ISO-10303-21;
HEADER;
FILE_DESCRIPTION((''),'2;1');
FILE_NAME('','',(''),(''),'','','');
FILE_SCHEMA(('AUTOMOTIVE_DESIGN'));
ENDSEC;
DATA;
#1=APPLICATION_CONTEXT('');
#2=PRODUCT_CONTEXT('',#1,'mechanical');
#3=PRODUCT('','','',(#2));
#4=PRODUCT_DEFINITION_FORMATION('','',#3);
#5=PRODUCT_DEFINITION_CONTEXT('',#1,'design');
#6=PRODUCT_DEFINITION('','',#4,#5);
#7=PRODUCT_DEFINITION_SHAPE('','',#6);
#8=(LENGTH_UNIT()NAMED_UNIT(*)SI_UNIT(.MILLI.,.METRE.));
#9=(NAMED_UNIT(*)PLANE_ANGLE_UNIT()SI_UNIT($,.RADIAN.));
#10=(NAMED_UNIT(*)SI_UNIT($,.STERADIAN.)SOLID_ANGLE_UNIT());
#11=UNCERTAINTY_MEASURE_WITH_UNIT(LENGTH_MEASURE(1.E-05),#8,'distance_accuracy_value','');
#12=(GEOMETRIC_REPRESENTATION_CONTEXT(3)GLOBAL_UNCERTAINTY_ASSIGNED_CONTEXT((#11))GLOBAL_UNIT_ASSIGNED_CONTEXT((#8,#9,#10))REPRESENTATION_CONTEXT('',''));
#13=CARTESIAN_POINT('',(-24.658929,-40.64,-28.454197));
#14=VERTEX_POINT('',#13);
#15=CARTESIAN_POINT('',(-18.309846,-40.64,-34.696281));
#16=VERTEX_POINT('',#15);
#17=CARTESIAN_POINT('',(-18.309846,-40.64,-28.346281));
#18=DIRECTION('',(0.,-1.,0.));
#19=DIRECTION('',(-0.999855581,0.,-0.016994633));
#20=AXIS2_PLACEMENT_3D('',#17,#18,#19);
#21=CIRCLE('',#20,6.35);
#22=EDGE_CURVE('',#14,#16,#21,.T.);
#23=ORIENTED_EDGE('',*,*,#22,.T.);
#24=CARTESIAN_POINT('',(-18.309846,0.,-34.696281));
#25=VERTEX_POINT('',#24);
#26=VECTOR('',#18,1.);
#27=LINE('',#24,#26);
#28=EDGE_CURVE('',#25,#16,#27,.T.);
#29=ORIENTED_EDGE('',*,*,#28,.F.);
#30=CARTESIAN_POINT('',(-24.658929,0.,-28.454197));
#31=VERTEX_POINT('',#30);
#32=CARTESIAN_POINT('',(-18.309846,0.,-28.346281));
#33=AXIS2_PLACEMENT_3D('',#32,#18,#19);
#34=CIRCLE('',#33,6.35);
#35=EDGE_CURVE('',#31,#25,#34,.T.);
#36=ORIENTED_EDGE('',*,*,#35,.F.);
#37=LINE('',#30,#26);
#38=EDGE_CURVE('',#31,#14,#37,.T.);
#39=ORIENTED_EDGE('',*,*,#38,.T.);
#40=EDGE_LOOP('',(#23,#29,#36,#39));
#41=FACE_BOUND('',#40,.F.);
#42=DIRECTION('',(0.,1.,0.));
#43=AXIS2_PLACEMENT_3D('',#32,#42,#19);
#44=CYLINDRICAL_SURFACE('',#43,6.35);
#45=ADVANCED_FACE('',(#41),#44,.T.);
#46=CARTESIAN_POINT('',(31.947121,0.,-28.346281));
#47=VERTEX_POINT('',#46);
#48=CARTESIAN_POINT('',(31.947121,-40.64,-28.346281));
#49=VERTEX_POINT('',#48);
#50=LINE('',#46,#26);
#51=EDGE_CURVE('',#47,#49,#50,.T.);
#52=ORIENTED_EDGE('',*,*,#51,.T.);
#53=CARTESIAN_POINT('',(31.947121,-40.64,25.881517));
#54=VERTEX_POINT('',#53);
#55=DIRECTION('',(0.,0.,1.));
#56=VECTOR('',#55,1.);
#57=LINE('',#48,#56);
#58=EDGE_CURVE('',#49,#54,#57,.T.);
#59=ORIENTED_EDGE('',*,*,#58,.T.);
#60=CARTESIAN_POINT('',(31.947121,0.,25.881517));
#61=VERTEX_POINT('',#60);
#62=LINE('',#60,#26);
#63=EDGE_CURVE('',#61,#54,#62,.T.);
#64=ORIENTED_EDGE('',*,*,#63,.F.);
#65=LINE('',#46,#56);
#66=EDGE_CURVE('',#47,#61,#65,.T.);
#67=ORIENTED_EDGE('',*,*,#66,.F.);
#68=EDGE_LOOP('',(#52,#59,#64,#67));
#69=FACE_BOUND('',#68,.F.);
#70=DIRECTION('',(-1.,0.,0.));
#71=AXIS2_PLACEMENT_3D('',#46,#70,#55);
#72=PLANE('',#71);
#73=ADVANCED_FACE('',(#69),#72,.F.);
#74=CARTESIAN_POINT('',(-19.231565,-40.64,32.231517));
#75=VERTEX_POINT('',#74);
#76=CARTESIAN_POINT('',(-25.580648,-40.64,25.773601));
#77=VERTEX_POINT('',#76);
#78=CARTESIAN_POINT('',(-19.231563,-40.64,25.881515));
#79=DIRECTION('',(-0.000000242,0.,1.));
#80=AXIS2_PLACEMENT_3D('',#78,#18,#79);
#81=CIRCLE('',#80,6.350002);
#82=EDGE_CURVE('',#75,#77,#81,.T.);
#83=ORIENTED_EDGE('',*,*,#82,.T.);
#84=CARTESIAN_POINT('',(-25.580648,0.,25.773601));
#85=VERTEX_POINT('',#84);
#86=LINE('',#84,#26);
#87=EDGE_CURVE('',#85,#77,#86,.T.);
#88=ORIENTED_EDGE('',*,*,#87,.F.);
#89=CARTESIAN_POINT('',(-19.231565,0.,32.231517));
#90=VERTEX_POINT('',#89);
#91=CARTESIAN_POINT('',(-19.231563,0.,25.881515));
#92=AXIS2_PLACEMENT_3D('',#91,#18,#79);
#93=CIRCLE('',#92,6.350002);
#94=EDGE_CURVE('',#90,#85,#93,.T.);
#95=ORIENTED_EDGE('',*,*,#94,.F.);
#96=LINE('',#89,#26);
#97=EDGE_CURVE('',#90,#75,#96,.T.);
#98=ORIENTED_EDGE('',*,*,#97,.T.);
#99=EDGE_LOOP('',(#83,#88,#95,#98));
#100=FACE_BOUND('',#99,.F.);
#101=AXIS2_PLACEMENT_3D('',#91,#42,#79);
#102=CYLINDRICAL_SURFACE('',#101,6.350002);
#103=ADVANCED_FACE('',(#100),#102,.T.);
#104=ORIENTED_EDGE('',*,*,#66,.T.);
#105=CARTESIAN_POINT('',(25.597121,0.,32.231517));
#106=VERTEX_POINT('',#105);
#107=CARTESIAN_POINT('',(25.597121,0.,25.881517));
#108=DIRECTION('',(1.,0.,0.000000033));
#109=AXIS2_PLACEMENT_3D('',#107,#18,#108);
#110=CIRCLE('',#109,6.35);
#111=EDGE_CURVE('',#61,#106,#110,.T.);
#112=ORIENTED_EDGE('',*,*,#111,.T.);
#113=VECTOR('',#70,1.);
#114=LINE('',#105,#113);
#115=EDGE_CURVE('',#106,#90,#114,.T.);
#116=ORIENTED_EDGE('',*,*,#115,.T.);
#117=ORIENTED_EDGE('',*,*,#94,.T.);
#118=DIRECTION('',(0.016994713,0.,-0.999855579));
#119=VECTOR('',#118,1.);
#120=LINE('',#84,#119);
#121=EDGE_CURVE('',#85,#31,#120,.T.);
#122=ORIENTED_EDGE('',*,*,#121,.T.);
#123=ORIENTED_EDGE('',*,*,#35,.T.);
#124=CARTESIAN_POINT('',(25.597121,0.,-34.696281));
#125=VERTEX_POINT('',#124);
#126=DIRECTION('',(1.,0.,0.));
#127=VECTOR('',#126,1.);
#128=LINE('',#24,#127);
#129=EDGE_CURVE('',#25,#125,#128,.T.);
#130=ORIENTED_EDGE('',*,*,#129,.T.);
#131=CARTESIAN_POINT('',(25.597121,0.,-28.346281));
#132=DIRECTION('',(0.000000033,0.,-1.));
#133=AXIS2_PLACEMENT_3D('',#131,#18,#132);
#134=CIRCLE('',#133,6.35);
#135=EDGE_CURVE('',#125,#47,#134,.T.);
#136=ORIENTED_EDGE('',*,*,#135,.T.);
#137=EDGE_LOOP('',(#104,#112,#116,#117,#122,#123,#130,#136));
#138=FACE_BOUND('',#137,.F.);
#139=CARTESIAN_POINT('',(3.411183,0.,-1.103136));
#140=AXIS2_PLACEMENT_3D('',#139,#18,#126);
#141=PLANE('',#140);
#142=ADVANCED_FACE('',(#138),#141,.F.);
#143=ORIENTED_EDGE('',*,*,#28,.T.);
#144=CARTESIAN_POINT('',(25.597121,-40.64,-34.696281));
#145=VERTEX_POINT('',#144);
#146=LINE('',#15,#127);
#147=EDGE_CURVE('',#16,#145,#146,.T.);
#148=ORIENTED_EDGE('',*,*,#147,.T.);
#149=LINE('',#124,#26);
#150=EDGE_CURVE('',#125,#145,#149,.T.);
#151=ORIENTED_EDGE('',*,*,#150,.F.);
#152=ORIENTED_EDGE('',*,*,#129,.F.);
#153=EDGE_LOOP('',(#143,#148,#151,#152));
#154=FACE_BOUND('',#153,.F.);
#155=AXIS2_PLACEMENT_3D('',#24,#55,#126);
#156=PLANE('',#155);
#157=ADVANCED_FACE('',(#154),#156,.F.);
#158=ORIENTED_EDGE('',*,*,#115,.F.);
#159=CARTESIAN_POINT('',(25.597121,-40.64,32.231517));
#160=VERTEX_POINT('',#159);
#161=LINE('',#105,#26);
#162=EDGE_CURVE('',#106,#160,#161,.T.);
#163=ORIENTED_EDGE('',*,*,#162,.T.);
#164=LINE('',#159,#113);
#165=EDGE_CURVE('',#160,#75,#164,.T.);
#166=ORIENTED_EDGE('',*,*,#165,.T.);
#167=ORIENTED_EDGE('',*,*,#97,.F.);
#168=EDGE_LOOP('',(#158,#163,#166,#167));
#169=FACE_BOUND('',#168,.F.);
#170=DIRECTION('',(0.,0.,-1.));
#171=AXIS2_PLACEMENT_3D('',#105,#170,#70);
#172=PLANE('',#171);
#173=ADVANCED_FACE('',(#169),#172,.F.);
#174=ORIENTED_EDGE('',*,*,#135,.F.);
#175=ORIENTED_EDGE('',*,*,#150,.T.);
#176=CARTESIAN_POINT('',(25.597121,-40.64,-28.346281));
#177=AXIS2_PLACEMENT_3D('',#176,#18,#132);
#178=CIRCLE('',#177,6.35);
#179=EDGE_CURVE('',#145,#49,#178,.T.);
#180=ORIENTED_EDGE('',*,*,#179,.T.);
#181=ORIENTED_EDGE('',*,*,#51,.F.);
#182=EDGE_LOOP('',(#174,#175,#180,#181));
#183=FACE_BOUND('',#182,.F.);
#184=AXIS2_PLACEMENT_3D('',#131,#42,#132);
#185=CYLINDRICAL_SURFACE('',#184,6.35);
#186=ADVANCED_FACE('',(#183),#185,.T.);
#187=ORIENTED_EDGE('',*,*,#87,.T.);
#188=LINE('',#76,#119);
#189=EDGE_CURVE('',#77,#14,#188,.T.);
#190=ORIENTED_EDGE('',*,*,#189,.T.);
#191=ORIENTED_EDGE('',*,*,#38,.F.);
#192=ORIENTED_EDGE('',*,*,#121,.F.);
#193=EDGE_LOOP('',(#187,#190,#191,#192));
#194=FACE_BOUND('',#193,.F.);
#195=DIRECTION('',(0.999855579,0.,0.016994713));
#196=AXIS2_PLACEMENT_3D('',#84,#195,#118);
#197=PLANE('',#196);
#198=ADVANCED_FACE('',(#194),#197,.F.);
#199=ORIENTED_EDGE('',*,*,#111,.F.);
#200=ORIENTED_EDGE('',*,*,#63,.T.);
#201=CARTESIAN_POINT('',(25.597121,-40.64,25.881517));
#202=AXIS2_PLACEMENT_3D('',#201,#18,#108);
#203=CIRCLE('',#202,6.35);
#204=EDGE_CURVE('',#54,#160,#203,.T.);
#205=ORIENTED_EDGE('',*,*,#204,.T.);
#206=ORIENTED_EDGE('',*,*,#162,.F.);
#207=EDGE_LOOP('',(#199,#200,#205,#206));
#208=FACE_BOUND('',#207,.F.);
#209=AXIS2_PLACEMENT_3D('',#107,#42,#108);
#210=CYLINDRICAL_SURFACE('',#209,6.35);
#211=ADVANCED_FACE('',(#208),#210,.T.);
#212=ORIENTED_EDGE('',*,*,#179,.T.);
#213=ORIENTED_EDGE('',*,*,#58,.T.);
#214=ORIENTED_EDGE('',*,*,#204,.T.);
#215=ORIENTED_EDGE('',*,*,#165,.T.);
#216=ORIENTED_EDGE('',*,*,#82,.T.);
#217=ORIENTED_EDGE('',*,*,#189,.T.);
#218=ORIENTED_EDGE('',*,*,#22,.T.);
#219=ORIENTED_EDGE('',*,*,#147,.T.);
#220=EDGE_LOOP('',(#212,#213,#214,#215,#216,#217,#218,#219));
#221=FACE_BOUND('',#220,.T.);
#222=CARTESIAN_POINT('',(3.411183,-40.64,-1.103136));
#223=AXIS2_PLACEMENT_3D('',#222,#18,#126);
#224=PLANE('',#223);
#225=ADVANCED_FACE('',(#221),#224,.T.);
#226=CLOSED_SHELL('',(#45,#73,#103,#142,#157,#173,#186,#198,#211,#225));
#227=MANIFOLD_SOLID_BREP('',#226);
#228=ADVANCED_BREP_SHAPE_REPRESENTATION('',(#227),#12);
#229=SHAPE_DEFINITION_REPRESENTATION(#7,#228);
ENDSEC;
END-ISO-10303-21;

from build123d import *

# Parameters (mm, degrees)
F1_DEPTH = 40.64


with BuildPart() as f1:
    # F0 (on Front) → F1 (new body)
    with BuildSketch(Plane.XZ):
        with BuildLine():
            Line((25.597121, 32.231517), (-19.231565, 32.231517))
            ThreePointArc((-19.231565, 32.231517), (-23.759686, 30.333327), (-25.580648, 25.773601))
            Line((-25.580648, 25.773601), (-24.658929, -28.454197))
            ThreePointArc((-24.658929, -28.454197), (-22.761657, -32.874402), (-18.309846, -34.696281))
            Line((-18.309846, -34.696281), (25.597121, -34.696281))
            ThreePointArc((25.597121, -34.696281), (30.087249, -32.836409), (31.947121, -28.346281))
            Line((31.947121, -28.346281), (31.947121, 25.881517))
            ThreePointArc((31.947121, 25.881517), (30.087249, 30.371645), (25.597121, 32.231517))
        make_face()
    extrude(amount=F1_DEPTH)


solid = f1.part
